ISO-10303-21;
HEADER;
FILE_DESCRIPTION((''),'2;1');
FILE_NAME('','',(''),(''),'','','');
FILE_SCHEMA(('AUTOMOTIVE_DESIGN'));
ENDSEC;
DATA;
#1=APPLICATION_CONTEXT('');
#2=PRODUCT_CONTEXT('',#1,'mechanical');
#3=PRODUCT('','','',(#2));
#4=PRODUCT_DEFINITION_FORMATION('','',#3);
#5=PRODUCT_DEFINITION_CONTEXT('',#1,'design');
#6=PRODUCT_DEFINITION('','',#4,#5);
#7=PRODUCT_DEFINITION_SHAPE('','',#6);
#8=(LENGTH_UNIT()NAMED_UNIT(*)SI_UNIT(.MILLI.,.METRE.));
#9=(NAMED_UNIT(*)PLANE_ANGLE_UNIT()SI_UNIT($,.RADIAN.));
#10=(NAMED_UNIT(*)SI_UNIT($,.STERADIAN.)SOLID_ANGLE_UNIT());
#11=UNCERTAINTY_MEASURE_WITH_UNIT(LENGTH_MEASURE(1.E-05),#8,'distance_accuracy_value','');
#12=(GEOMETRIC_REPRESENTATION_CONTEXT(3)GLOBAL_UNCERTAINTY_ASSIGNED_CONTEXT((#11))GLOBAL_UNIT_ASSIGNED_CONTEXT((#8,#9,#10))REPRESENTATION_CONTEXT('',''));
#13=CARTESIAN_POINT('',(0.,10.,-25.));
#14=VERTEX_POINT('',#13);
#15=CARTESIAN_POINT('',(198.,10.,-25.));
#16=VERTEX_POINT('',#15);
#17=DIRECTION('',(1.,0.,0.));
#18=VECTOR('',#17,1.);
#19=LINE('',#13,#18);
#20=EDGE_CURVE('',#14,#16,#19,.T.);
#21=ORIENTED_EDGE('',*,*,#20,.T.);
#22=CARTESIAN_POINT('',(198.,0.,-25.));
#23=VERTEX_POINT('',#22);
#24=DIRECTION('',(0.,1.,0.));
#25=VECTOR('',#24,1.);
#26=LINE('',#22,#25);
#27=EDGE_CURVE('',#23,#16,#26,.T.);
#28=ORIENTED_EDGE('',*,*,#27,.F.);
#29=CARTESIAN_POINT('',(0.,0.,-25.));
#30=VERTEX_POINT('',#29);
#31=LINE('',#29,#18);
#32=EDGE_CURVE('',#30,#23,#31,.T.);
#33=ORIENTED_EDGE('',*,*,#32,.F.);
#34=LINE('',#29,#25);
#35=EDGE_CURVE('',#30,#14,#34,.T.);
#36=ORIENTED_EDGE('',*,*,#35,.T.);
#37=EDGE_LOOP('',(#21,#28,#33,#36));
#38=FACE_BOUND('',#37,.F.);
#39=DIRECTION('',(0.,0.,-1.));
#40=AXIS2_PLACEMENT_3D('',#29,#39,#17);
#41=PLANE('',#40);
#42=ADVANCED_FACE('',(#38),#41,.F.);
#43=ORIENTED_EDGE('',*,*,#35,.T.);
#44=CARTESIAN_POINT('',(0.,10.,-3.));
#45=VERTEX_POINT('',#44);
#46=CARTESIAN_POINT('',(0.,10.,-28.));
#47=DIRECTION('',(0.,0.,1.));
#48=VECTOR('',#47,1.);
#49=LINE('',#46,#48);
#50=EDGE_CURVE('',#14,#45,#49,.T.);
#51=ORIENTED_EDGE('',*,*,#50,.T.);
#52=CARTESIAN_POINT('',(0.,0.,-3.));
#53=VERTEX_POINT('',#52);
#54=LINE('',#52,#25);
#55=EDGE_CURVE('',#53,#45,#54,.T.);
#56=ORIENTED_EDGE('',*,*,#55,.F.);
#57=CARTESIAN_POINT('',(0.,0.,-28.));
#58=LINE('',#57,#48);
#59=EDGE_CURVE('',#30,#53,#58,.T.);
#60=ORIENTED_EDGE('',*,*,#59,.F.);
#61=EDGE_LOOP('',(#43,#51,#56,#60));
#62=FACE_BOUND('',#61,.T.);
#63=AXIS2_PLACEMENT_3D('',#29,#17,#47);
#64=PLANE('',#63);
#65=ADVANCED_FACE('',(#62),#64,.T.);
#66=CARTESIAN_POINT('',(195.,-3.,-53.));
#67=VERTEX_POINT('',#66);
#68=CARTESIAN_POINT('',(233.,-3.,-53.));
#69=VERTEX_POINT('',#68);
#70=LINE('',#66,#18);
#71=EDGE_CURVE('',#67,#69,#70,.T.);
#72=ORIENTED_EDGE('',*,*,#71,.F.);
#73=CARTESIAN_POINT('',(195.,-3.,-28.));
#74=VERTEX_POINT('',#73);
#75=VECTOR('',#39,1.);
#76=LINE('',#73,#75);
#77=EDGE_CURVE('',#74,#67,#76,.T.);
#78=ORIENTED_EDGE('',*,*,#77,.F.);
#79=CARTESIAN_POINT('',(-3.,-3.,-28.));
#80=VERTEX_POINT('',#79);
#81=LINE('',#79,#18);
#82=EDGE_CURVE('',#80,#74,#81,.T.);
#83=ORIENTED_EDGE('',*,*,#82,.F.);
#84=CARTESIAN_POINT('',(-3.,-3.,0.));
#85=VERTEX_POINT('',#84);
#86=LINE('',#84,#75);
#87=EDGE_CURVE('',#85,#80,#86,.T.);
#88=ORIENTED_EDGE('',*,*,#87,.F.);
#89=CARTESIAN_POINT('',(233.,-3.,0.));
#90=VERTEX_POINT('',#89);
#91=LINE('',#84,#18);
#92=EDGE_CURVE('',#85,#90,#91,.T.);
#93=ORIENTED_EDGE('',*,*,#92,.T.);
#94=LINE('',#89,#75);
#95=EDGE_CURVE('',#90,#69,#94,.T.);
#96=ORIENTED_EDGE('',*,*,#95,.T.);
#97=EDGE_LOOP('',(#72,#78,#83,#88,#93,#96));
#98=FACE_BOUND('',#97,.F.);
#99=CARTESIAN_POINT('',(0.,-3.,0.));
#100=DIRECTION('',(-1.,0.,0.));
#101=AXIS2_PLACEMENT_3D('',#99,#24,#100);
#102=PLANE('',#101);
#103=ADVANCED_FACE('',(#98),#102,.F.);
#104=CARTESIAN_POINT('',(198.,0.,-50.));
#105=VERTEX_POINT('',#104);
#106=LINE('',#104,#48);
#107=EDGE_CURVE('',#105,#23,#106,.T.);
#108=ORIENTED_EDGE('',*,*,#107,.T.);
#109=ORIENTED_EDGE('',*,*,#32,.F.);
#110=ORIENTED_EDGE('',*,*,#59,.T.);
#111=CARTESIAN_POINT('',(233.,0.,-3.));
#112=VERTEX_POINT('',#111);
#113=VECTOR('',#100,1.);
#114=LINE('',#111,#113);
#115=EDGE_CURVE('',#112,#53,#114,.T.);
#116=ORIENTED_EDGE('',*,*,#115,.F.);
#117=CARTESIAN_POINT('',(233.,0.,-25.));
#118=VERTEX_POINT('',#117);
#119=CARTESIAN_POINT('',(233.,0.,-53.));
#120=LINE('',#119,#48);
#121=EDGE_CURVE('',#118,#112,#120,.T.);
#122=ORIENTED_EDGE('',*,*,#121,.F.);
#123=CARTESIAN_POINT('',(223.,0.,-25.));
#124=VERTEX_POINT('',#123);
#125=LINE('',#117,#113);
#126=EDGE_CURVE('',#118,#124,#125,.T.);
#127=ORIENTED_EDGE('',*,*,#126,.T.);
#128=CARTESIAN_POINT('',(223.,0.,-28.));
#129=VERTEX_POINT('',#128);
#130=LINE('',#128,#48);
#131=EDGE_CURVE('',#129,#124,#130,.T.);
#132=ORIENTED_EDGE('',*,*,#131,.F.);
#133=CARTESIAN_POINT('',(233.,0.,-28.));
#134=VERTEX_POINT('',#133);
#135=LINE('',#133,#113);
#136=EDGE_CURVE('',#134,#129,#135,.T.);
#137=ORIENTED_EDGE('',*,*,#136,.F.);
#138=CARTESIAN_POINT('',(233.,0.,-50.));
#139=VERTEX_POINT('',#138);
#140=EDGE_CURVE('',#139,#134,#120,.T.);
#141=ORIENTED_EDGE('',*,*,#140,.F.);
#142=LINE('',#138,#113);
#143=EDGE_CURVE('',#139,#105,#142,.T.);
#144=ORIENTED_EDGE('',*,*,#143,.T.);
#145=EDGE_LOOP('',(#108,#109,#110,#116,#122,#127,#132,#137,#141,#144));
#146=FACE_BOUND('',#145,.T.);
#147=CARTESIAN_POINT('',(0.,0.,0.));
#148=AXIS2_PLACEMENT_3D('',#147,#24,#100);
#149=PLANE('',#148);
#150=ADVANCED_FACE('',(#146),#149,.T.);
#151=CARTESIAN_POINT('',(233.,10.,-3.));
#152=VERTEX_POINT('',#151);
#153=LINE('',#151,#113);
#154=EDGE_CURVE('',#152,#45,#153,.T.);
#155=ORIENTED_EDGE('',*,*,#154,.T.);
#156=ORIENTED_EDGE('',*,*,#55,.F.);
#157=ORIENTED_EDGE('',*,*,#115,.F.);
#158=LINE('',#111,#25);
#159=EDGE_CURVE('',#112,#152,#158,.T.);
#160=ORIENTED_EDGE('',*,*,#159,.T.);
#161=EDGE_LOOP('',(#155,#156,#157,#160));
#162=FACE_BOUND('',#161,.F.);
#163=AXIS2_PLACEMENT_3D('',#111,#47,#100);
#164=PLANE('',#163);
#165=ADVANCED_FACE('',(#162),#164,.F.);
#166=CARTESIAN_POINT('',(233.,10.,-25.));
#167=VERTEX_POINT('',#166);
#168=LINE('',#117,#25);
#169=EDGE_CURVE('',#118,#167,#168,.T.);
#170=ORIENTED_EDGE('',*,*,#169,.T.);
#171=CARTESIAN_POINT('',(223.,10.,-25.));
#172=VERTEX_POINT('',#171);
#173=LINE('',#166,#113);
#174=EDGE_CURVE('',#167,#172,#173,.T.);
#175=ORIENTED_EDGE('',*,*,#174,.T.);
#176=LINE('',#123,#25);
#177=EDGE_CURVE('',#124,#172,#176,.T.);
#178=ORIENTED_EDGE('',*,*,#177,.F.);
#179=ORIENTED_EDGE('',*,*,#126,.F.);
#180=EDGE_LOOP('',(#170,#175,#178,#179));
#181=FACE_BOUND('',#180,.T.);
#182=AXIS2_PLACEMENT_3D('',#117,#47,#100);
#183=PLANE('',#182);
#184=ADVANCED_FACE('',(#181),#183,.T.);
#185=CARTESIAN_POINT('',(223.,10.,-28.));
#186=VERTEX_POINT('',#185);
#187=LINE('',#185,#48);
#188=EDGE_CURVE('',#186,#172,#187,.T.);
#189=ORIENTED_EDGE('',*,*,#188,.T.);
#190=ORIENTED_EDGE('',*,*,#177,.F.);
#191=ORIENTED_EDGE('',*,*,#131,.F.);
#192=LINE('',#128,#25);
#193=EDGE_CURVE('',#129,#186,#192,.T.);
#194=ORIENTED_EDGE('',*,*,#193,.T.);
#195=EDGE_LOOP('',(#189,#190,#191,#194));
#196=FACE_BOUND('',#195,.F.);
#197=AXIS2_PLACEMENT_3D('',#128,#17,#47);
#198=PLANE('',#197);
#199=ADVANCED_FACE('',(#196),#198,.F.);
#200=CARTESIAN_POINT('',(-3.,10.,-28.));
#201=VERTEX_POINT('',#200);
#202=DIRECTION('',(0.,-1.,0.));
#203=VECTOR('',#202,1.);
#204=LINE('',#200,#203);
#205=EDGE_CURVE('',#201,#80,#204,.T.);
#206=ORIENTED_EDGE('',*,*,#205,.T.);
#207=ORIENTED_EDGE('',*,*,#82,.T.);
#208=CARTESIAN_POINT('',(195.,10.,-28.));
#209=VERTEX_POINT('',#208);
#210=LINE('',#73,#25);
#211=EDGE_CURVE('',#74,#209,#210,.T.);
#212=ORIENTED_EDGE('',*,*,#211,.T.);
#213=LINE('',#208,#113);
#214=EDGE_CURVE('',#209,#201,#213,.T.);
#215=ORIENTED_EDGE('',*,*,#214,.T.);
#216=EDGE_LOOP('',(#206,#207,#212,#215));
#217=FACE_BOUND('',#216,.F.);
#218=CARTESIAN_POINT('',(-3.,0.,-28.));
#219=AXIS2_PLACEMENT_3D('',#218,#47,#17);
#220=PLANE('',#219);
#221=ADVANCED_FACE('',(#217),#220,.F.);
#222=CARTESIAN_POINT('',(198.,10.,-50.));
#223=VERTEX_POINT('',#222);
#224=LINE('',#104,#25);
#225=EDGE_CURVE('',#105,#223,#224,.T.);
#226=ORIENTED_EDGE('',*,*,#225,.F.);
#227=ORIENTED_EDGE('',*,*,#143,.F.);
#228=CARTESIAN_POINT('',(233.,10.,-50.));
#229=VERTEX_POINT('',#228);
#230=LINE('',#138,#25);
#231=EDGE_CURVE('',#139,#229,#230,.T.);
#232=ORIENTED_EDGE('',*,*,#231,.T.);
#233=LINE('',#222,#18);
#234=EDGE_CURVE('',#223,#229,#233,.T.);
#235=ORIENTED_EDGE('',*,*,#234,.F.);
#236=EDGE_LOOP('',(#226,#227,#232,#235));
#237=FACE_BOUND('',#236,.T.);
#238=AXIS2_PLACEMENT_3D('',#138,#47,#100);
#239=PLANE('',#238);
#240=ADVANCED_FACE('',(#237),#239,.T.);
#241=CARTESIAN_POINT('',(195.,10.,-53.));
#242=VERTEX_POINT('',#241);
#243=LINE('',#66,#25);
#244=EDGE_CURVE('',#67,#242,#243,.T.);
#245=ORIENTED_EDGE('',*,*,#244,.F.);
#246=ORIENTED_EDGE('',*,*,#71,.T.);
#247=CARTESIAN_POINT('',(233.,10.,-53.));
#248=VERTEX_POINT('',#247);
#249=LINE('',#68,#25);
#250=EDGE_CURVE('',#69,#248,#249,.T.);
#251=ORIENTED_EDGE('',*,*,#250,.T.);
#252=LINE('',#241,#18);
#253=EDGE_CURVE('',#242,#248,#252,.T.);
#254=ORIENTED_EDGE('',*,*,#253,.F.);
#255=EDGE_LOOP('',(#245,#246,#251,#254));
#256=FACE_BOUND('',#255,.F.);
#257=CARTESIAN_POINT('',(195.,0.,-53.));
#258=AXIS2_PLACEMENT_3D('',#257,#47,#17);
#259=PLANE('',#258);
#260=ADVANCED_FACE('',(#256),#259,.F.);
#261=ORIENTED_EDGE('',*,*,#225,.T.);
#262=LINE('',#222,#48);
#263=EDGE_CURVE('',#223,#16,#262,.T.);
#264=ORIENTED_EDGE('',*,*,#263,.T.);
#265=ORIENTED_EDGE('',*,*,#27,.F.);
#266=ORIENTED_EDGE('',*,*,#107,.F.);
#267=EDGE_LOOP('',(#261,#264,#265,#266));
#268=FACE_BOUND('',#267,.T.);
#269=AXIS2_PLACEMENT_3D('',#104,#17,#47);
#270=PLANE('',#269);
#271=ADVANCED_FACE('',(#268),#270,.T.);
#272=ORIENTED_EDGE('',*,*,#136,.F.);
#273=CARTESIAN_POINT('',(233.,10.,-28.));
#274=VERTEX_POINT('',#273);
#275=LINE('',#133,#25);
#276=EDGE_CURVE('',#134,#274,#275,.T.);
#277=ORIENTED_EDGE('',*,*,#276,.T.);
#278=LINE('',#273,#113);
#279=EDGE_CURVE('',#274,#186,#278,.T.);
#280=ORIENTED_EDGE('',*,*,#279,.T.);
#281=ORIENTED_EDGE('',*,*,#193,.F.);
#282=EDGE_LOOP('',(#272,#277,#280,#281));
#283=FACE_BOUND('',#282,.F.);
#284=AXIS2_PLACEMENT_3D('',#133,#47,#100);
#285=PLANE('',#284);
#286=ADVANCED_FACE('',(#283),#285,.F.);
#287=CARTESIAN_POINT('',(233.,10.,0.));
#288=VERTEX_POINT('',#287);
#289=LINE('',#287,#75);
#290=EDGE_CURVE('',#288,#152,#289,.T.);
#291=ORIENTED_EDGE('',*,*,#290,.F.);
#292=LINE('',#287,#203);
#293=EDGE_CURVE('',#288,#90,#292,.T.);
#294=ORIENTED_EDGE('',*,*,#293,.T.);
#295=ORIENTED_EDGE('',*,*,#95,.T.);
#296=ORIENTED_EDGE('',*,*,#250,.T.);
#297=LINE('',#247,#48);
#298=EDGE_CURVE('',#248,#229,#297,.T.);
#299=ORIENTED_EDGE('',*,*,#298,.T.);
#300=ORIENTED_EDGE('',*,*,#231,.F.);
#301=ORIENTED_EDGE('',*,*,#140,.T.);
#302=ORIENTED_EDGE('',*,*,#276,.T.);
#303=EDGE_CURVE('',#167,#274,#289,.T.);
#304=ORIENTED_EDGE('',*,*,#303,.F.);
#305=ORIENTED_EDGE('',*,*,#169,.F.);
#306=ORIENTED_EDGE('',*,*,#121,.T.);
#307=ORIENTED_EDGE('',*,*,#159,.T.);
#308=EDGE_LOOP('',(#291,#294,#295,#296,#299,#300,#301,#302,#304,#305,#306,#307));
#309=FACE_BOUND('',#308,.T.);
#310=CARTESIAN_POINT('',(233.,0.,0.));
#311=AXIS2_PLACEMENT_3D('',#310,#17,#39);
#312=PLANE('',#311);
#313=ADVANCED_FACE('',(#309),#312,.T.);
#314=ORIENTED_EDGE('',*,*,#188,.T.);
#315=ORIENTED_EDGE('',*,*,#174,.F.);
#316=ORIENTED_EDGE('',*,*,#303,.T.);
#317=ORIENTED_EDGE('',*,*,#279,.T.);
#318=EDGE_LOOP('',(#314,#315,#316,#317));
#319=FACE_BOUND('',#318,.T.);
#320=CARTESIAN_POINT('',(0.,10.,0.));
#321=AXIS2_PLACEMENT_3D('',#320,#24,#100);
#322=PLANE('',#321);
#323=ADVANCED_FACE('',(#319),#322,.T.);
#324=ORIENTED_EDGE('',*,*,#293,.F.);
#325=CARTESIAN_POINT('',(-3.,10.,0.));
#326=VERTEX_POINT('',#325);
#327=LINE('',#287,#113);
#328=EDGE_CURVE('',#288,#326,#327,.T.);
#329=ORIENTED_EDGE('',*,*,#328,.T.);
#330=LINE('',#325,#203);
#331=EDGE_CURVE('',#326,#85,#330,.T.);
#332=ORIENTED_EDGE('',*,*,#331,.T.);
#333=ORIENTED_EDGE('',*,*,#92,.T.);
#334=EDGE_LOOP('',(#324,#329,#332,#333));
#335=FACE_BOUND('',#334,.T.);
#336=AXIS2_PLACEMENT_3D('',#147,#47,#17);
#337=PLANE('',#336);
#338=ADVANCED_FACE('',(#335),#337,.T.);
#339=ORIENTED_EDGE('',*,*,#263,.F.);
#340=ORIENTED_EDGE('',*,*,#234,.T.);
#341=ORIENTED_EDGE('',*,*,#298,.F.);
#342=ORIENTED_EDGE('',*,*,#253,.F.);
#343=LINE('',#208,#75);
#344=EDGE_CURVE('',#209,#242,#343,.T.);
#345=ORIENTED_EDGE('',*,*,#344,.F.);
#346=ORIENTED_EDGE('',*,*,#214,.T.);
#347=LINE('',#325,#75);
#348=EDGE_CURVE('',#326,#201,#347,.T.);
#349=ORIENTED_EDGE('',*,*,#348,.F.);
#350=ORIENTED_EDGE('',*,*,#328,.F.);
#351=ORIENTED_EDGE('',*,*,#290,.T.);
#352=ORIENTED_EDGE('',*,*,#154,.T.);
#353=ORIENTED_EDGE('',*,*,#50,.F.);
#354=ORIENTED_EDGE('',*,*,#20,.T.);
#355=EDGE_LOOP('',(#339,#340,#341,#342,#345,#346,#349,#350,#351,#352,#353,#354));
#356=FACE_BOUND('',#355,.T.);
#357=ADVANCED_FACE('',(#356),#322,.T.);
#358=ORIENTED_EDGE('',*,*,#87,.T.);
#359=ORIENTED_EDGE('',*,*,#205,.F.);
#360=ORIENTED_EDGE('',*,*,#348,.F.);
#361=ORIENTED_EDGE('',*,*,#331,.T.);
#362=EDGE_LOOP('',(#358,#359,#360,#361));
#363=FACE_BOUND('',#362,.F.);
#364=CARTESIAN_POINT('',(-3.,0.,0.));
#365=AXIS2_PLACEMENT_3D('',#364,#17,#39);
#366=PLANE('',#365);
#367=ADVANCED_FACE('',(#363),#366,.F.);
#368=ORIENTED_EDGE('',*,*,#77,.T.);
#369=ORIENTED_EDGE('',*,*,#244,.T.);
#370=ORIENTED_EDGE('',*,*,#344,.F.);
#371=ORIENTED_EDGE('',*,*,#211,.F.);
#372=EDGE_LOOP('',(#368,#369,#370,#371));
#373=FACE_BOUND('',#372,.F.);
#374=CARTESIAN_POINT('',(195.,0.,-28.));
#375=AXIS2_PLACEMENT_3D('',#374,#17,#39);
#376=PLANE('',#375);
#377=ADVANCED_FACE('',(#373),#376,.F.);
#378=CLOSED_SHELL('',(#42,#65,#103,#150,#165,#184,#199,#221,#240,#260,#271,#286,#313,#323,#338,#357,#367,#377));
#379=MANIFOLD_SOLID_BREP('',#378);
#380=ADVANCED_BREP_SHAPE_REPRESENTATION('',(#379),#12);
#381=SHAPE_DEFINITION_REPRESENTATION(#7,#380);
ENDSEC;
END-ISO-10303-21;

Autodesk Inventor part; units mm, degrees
ref_plane "YZ Plane" through (0, 0, 0) normal (1, 0, 0) x (0, 1, 0)
ref_plane "XZ Plane" through (0, 0, 0) normal (0, 1, 0) x (-1, 0, 0)
ref_plane "XY Plane" through (0, 0, 0) normal (0, 0, 1) x (1, 0, 0)
sketch "Esboço1" plane through (0, 0, 0) normal (0, 1, 0) x (-1, 0, 0)
  line L0 (-233, -3) -> (0, -3)
  line L1 (0, -25) -> (-198, -25)
  line L2 (-233, 0) -> (-233, -28)
  line L3 (-233, -28) -> (-223, -28)
  line L4 (-195, -28) -> (0, -28)
  line L5 (0, -28) -> (0, 0)
  line L6 (0, 0) -> (-233, 0)
  line L7 (-195, -28) -> (-195, -53)
  line L8 (-195, -53) -> (-233, -53)
  line L9 (-233, -53) -> (-233, -50)
  line L10 (-233, -50) -> (-198, -50)
  line L11 (-198, -50) -> (-198, -25)
  arc A0 (-223, -50) -> (-198, -25) centre (-223, -25) ccw
  arc A1 (-223, -28) -> (-220, -25) centre (-223, -25) ccw
  line L12 (-233, -25) -> (-220, -25)
  line L13 (0, 0) -> (3, 0)
  line L14 (3, 0) -> (3, -28)
  line L15 (3, -28) -> (0, -28)
  line L16 (-223, -28) -> (-223, -25)
  line L17 (-233, -50) -> (-233, -28)
  point P0 (-233, -14)
  point P1 (-233, -51.5)
  point P2 (-83, -28)
  dimension "d7" = 22
  dimension "d9" = 3
  dimension "d10" = 3
  dimension "d13" = 3
  dimension "d14" = 3
  dimension "d16" = 22
  dimension "d20" = 22
  dimension "d21" = 220
  dimension "d29" = 3
  dimension "d31" = 10
extrude "Extrusão1" add sketch "Esboço1" against normal blind 3
extrude "Extrusão2" add sketch "Esboço1" along normal blind 10 contours L2 L6 L5 L0 | L5 L13 L14 L15 | L12 L16 L3 L2 | L5 L4 L7 L8 L9 L10 L11 L1
equation "\"d9\" = mdf"
equation "\"d10\" = mdf"
equation "\"d13\" = mdf"
equation "\"d14\" = mdf"
equation "\"mdf\" = 3"
equation "\"margem\" = 1"
properties part number "Trilho 5 min"
